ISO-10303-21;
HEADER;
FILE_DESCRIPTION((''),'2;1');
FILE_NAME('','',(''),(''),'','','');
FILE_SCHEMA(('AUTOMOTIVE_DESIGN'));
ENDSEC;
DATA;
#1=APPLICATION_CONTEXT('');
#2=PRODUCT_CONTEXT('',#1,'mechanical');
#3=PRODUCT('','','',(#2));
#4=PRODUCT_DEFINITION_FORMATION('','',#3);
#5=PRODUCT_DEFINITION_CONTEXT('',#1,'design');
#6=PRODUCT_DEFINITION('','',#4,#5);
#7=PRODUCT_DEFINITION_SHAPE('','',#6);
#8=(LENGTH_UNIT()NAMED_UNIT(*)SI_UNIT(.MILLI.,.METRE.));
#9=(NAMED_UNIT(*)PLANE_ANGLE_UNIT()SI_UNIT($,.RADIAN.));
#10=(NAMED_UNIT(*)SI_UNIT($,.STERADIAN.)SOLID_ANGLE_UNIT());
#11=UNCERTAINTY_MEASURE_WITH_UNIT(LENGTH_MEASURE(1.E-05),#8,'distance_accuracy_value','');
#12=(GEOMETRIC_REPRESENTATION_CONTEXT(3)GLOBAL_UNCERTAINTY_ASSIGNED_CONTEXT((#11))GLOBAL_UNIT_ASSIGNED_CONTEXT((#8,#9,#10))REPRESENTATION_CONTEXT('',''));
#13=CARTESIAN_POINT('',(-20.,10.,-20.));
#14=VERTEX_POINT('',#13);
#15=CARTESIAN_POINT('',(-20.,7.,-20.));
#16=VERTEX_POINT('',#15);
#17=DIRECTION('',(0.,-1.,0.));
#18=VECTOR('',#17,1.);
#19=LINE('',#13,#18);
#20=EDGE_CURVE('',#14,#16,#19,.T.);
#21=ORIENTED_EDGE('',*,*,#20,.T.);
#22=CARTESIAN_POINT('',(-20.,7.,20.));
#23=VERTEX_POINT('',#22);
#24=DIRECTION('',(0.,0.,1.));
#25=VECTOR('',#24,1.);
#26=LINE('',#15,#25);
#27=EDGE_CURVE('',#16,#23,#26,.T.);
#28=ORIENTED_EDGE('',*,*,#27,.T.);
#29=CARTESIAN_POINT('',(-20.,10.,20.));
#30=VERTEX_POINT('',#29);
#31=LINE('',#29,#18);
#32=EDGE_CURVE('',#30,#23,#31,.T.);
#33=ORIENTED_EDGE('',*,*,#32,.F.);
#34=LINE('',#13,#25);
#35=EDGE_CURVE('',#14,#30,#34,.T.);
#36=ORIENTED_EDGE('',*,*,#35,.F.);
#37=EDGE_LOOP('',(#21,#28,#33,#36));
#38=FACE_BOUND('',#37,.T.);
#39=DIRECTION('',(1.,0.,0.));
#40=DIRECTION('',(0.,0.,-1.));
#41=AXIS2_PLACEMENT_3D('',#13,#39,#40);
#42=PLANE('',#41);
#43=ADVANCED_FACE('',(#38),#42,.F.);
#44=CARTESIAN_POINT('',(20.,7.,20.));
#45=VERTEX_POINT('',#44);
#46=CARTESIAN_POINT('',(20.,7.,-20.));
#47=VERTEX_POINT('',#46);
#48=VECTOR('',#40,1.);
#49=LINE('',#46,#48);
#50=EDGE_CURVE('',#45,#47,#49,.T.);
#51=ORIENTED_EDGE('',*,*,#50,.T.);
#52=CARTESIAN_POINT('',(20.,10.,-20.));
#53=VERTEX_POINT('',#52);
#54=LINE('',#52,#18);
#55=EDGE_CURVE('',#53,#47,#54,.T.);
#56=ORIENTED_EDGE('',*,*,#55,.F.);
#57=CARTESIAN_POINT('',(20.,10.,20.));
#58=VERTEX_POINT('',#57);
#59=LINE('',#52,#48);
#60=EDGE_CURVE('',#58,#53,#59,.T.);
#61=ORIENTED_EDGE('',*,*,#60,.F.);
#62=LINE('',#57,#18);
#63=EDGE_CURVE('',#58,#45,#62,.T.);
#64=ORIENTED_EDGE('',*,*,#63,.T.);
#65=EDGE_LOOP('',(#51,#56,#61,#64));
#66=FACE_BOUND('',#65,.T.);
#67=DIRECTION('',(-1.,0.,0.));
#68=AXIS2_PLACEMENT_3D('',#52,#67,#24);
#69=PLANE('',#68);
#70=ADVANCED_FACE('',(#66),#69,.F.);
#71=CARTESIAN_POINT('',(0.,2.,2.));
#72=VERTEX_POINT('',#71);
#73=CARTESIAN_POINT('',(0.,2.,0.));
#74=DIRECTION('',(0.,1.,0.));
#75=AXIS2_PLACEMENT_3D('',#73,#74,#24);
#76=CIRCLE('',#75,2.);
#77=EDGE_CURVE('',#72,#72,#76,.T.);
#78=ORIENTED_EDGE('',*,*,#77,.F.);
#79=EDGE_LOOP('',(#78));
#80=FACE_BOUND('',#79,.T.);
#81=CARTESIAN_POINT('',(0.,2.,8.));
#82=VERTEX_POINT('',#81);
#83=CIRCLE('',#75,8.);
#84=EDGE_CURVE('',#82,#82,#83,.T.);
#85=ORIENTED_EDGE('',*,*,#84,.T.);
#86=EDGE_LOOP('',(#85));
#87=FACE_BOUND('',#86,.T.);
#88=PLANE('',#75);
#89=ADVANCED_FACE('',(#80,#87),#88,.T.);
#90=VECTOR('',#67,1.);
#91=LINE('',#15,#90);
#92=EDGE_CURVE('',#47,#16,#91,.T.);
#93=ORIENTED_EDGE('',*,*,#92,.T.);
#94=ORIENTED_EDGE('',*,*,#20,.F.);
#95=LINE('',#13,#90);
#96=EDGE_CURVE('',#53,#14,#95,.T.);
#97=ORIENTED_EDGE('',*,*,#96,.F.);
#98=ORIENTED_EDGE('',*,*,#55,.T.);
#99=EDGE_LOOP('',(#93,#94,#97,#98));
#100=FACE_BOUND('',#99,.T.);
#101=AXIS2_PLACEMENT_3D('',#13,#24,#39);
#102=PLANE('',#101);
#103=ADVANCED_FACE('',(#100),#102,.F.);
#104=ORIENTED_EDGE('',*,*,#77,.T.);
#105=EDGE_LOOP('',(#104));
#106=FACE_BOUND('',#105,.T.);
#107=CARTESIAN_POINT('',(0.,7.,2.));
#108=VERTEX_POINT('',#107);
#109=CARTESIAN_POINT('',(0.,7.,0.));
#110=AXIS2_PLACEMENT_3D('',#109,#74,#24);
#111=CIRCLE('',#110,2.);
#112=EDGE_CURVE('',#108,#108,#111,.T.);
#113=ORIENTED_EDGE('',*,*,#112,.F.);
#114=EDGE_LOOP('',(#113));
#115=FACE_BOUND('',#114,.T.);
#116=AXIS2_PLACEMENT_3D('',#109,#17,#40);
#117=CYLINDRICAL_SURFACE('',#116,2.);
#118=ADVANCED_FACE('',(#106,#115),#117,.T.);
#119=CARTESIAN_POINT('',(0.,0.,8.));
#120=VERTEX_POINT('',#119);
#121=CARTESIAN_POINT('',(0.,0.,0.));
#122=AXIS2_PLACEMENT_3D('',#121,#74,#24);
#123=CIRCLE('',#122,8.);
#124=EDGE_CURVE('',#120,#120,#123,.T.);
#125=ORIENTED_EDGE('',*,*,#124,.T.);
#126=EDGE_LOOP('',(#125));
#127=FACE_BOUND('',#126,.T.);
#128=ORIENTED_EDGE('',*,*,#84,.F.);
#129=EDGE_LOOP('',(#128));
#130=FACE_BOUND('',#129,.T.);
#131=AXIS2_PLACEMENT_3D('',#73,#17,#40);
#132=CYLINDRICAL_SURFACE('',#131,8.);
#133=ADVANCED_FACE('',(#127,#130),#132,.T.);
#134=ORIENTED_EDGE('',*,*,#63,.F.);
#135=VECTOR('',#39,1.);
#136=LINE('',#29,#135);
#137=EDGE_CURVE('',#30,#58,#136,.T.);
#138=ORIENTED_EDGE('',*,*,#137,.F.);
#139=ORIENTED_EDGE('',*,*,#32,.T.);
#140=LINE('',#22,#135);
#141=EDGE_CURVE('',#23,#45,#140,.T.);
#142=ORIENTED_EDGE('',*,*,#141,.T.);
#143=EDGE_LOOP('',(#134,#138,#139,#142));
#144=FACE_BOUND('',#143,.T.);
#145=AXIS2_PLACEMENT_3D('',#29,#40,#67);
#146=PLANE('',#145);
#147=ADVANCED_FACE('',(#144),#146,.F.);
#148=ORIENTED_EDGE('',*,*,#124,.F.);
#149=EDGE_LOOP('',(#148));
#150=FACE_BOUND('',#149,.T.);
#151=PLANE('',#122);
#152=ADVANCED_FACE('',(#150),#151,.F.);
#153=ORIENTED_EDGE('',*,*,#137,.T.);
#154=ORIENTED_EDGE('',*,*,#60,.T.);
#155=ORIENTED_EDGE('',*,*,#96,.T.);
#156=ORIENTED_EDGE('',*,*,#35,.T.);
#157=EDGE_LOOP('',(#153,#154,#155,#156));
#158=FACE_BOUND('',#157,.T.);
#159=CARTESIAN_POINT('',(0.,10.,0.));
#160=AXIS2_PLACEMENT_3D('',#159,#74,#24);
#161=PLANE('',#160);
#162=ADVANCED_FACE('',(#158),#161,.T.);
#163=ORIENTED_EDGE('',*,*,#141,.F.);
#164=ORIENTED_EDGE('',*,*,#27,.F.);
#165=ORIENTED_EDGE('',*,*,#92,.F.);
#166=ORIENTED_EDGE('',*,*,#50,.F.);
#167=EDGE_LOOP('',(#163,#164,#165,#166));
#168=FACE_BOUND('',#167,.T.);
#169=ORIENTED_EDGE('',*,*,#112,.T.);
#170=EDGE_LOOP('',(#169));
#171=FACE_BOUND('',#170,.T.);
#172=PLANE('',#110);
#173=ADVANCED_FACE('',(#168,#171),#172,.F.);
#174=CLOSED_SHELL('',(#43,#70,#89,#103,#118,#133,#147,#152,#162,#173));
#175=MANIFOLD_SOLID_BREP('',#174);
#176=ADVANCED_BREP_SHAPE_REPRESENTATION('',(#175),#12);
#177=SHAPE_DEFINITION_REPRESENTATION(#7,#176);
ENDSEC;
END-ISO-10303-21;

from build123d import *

# Parameters (mm, degrees)
SKETCH_1_R      = 8
EXTRUDE_1_DEPTH = 2
SKETCH_2_R      = 2
EXTRUDE_2_DEPTH = 5
SKETCH_3_W      = 40
SKETCH_3_H      = 40
EXTRUDE_3_DEPTH = 3


with BuildPart() as part:
    # 草图1 → 凸台-拉伸1 (new body)
    with BuildSketch(Plane(origin=(0, 0, 0), x_dir=(1, 0, 0), z_dir=(0, 1, 0))):
        with Locations(Location((0, 0, 0), (0, 0, 270))):
            Circle(SKETCH_1_R)
    extrude(amount=EXTRUDE_1_DEPTH)

    # 草图2 → 凸台-拉伸2 (add)
    with BuildSketch(Plane(origin=(0, 2, 0), x_dir=(1, 0, 0), z_dir=(0, 1, 0))):
        with Locations(Location((0, 0, 0), (0, 0, 270))):
            Circle(SKETCH_2_R)
    extrude(amount=EXTRUDE_2_DEPTH)

    # 草图3 → 凸台-拉伸3 (add)
    with BuildSketch(Plane(origin=(0, 7, 0), x_dir=(1, 0, 0), z_dir=(0, 1, 0))):
        Rectangle(SKETCH_3_W, SKETCH_3_H)
    extrude(amount=EXTRUDE_3_DEPTH)


solid = part.part
